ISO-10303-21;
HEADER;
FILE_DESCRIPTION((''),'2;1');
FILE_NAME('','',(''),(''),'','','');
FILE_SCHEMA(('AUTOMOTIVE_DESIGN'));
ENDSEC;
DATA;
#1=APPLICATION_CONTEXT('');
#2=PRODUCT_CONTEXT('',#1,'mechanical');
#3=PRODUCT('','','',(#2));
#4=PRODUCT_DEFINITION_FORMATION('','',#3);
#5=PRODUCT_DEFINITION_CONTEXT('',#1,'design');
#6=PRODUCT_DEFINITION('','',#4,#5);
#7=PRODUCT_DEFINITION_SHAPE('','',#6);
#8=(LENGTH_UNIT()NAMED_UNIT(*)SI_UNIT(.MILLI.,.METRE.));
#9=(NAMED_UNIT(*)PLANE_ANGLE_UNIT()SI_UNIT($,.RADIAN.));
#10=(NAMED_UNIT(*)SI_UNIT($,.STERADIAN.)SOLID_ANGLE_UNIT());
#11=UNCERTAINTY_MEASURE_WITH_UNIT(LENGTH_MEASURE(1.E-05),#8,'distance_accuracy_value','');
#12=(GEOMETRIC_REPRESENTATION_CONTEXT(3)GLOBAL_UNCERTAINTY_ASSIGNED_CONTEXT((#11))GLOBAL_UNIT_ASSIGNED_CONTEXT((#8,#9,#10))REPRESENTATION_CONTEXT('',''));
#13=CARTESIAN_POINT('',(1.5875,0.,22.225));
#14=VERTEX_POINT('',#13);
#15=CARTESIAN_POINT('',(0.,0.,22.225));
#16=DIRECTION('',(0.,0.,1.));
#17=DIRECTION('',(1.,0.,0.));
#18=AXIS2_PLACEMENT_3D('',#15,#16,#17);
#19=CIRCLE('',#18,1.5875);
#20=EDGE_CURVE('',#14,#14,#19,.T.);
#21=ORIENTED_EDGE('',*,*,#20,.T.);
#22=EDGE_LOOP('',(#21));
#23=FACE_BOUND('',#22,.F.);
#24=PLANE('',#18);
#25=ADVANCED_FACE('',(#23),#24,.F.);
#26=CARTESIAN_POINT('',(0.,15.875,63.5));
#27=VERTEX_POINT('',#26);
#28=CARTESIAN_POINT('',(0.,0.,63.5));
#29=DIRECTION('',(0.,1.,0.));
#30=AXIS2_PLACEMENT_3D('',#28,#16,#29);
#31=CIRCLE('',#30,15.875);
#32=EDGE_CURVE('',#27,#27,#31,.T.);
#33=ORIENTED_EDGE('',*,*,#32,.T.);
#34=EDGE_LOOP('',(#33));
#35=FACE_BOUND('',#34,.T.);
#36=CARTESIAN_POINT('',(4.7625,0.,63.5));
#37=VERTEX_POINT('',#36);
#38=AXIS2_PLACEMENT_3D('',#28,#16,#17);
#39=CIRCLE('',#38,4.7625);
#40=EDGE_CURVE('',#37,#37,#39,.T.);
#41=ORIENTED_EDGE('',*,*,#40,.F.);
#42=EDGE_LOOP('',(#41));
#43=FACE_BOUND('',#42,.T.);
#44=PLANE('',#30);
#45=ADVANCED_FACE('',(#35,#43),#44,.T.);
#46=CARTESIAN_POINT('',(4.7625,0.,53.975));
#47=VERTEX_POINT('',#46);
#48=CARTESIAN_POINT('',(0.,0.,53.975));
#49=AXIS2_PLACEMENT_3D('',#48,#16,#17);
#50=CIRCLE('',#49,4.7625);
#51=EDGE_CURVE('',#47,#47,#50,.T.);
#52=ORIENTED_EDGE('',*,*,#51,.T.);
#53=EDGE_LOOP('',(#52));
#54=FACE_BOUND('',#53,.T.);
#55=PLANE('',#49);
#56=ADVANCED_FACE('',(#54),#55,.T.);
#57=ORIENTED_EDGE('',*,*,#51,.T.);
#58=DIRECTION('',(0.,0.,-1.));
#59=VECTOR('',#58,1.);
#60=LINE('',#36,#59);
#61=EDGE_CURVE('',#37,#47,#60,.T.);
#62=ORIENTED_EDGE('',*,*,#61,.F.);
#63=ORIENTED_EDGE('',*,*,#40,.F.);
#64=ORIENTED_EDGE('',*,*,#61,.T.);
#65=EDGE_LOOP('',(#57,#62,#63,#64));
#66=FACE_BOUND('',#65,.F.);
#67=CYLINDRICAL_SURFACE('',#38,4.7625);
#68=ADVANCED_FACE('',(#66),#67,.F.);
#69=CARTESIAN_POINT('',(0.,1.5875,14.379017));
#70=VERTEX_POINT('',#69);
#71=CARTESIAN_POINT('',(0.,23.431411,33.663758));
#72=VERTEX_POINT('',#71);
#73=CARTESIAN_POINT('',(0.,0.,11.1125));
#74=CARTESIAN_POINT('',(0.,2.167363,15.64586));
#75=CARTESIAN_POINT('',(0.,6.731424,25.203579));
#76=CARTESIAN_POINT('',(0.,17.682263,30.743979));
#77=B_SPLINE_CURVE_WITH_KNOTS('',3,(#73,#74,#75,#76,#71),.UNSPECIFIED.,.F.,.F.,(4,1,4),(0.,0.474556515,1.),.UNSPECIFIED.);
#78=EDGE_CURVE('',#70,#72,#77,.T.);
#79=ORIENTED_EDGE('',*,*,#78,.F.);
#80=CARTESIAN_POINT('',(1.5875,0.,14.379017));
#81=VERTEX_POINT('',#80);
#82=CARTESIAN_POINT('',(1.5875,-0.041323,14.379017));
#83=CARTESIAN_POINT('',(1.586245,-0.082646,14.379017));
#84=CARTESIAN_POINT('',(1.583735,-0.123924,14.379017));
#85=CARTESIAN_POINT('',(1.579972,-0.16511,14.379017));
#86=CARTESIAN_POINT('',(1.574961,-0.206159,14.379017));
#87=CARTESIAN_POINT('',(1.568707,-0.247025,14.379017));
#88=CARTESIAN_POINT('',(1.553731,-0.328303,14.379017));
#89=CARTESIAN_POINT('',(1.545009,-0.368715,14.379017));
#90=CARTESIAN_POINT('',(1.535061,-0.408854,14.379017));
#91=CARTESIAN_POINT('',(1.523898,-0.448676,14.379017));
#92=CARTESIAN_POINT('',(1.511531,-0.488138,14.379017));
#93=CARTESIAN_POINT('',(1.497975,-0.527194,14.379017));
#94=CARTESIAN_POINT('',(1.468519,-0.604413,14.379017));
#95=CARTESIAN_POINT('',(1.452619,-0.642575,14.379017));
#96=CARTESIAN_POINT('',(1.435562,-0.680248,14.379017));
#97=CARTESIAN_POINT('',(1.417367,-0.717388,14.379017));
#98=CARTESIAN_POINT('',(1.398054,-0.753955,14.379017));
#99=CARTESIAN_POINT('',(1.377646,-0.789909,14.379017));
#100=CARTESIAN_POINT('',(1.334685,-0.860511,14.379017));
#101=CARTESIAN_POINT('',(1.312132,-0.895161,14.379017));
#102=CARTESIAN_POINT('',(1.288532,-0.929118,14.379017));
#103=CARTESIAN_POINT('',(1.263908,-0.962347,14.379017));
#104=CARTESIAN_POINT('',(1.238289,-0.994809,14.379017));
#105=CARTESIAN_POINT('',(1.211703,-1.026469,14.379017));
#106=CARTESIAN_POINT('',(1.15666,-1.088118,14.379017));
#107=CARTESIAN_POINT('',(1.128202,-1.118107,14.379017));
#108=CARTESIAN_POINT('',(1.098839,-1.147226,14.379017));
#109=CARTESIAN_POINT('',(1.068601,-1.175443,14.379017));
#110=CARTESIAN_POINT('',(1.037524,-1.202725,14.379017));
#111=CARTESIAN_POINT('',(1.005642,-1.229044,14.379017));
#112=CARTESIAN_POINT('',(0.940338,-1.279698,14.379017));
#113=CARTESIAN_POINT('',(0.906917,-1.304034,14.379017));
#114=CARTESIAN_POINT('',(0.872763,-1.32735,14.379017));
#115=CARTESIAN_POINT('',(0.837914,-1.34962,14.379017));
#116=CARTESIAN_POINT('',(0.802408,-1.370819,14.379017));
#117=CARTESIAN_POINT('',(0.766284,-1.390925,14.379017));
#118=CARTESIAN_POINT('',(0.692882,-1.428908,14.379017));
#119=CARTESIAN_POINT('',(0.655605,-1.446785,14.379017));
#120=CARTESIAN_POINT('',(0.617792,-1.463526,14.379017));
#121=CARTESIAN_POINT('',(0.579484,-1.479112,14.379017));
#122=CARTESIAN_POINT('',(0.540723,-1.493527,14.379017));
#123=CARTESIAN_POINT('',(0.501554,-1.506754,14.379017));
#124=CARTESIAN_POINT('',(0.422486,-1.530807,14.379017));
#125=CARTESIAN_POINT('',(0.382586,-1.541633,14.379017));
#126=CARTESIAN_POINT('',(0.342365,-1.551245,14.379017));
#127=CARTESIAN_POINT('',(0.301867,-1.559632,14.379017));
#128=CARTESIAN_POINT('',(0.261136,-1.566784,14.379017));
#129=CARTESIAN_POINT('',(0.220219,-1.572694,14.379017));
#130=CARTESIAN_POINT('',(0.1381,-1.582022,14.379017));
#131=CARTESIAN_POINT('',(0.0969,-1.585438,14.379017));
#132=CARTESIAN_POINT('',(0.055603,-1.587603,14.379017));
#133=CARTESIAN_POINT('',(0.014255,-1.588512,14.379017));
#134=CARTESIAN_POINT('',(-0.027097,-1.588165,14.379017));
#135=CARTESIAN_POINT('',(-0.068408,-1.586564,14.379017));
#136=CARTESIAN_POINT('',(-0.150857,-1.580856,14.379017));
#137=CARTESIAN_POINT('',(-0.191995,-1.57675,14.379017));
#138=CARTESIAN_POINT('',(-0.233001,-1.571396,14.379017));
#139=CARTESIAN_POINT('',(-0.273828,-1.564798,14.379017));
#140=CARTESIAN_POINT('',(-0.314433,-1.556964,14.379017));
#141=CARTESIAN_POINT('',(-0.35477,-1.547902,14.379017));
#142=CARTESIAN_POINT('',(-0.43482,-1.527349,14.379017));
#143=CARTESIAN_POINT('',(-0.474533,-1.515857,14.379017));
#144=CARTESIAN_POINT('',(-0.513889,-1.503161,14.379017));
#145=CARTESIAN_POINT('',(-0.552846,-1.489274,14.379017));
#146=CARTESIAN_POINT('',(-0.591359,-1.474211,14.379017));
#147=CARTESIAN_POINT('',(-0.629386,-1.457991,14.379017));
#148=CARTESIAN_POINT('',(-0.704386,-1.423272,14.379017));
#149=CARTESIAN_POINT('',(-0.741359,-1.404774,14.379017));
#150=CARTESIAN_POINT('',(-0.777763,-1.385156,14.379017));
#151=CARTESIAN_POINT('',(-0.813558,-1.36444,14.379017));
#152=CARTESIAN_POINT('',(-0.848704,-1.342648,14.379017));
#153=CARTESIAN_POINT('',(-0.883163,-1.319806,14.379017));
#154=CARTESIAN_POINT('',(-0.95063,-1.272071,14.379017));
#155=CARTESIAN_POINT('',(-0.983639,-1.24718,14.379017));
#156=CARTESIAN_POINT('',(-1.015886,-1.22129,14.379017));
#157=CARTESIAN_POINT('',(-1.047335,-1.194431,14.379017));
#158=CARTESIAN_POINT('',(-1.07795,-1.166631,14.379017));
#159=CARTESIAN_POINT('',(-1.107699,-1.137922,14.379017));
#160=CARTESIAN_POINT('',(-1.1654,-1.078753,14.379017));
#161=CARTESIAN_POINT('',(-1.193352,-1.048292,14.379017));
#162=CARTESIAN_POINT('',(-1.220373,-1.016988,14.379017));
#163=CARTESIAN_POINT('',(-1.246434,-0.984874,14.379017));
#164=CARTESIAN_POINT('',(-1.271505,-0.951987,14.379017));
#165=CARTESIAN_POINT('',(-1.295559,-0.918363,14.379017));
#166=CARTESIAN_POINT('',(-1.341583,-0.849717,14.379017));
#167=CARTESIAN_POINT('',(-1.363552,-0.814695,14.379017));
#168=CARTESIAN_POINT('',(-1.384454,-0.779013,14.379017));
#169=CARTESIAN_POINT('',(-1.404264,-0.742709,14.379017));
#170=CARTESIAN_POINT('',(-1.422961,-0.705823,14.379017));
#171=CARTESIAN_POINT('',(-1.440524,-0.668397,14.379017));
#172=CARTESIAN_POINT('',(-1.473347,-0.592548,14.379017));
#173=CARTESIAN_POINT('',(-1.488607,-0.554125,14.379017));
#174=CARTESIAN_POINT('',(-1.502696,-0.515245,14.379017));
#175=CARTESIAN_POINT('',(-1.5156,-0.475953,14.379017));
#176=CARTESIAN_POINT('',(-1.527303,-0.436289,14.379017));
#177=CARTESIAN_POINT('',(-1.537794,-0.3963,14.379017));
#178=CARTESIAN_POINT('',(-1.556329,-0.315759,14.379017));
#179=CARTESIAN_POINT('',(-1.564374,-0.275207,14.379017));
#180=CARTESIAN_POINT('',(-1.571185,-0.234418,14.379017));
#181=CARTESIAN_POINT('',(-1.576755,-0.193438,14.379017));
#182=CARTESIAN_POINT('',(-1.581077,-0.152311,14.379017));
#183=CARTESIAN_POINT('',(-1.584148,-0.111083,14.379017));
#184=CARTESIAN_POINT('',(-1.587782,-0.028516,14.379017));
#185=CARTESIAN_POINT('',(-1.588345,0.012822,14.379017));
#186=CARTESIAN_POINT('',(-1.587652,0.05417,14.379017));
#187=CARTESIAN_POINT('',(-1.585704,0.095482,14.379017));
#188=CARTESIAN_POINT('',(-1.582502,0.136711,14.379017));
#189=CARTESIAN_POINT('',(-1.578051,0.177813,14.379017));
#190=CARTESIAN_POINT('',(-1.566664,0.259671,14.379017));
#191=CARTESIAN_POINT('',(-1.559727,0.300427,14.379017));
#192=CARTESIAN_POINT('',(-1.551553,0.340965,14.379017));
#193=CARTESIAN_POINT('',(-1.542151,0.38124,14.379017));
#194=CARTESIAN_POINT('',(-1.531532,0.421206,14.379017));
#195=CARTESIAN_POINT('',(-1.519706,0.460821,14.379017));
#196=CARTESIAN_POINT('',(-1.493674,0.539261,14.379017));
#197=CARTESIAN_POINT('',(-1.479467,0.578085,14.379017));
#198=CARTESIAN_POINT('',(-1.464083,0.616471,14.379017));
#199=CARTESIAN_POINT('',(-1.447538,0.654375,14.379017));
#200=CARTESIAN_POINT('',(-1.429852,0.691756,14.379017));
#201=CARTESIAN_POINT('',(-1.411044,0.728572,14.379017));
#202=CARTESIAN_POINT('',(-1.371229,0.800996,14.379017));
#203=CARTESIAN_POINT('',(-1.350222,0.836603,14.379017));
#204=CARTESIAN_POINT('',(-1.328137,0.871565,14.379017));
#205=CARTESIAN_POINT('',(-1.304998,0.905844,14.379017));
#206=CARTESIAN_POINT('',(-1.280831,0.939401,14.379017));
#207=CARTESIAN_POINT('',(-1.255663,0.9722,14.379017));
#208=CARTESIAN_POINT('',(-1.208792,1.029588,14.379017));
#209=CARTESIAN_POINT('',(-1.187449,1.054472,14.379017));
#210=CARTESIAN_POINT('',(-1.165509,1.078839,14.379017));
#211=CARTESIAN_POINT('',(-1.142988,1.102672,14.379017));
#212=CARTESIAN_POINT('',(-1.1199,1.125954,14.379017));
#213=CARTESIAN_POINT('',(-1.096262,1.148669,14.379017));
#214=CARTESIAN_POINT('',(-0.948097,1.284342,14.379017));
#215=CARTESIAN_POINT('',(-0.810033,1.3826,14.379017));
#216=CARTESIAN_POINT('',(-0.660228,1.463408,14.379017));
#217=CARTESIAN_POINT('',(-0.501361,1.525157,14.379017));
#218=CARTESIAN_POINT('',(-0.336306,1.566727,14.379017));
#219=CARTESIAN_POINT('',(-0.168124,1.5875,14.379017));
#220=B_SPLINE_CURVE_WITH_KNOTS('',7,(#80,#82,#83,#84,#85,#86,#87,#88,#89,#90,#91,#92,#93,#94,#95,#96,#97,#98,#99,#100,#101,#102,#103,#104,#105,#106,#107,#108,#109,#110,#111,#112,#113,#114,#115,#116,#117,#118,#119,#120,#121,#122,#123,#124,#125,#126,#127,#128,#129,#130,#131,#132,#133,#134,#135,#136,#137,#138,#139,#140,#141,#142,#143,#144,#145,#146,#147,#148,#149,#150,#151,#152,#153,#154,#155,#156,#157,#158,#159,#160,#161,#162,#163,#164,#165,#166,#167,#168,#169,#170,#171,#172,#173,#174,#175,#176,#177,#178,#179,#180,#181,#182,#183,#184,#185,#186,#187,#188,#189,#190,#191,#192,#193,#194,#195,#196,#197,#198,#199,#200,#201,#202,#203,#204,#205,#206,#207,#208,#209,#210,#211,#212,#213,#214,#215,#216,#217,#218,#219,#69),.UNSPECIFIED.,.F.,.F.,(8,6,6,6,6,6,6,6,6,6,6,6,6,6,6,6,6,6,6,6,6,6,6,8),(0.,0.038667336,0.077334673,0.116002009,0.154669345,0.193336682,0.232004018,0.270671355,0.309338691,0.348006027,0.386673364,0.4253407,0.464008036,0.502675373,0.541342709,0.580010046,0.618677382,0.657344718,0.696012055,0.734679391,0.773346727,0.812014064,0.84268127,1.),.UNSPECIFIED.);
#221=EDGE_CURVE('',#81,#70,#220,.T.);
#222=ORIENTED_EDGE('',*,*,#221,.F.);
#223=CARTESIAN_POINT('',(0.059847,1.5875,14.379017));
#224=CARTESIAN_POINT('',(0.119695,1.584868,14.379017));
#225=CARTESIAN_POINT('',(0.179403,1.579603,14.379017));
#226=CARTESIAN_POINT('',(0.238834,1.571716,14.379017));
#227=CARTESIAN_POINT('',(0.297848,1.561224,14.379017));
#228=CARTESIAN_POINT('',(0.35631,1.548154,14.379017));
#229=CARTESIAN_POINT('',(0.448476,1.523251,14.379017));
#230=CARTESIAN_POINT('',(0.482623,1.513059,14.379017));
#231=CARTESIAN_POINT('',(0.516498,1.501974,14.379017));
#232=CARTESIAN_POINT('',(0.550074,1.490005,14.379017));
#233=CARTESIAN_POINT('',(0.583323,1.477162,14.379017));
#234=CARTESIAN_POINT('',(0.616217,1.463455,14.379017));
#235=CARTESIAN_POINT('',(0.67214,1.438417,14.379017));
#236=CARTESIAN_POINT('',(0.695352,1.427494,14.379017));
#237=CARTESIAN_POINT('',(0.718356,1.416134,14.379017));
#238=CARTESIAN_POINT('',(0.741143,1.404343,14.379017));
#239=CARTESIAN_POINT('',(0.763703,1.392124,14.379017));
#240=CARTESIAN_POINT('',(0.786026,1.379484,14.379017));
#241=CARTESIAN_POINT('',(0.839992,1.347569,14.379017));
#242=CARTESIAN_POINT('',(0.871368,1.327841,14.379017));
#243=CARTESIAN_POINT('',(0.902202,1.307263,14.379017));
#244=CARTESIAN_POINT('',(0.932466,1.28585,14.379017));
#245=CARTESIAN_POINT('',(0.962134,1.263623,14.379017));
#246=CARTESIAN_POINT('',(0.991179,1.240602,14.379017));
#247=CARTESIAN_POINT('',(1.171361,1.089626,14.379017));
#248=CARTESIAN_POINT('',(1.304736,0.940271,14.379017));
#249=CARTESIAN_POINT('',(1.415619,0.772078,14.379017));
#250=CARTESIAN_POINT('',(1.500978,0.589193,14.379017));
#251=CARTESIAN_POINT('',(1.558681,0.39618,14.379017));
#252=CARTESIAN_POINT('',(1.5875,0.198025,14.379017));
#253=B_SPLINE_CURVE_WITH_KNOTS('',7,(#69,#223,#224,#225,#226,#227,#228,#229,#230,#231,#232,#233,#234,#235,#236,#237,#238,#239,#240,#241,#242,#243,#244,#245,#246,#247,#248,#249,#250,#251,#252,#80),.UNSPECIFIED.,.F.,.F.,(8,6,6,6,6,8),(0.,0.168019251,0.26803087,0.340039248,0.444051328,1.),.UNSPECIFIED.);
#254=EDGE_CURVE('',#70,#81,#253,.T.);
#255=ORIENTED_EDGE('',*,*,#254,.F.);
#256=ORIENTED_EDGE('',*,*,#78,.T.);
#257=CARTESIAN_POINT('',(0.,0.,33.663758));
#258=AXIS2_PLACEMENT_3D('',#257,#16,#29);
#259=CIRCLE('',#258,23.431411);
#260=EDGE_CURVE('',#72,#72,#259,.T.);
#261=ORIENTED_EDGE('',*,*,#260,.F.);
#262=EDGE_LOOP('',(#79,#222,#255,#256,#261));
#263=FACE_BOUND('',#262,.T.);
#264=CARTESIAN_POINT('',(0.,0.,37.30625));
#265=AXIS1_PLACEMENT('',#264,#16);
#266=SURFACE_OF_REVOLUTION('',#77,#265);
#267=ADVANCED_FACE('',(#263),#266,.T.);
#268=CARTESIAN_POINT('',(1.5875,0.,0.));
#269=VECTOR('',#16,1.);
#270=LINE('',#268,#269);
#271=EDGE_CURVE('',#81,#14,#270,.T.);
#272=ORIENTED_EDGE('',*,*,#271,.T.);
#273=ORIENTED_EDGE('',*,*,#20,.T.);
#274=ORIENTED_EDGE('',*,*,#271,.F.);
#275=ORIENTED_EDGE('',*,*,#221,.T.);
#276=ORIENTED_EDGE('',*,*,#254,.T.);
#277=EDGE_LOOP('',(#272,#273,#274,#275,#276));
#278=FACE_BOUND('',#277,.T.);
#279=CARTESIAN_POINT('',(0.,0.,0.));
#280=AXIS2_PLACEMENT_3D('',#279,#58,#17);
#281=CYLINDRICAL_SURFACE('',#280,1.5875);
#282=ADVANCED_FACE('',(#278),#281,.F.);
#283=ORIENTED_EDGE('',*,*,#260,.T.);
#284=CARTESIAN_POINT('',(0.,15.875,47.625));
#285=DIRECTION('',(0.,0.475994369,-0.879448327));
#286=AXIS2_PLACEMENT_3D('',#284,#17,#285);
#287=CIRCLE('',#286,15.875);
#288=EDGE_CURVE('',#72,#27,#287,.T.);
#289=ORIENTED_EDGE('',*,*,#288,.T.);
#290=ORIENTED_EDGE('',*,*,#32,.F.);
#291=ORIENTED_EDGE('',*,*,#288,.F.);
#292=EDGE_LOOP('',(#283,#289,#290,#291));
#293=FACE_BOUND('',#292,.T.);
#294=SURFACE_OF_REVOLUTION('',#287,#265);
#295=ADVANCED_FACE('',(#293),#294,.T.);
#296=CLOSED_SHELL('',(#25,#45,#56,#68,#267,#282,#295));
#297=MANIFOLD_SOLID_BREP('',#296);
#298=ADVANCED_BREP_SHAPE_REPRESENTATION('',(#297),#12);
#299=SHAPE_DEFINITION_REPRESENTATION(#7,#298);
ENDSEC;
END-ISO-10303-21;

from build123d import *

# Parameters (mm, degrees)
F2_R     = 4.7625
F3_DEPTH = 9.525
F4_R     = 1.5875
F5_DEPTH = 22.225


with BuildPart() as f1:
    # F0 (on Right) → F1 (revolve)
    with BuildSketch(Plane.YZ):
        with BuildLine():
            Line((0, 63.5), (0, 11.1125))
            add(Edge.make_bspline(
                [(0, 11.1125), (2.1673627178, 15.6458601549), (6.7314239675, 25.2035793611), (17.6822634898, 30.7439789651), (23.4314106154, 33.6637578056)],
                knots=[0, 0, 0, 0, 0.4745565147, 1, 1, 1, 1], degree=3))
            ThreePointArc((23.4314106154, 33.6637578056), (31.2641251349, 51.522493115), (15.875, 63.5))
            Line((15.875, 63.5), (0, 63.5))
        make_face()
    revolve(axis=Axis((0, 0, 37.30625), (0, 0, 1)))

    # F2 (on face) → F3 (cut)
    with BuildSketch(Plane.XY.offset(63.5)):
        Circle(F2_R)
    extrude(amount=-F3_DEPTH, mode=Mode.SUBTRACT)

    # F4 (on Top) → F5 (cut)
    with BuildSketch(Plane.XY):
        Circle(F4_R)
    extrude(amount=F5_DEPTH, mode=Mode.SUBTRACT)


solid = f1.part
